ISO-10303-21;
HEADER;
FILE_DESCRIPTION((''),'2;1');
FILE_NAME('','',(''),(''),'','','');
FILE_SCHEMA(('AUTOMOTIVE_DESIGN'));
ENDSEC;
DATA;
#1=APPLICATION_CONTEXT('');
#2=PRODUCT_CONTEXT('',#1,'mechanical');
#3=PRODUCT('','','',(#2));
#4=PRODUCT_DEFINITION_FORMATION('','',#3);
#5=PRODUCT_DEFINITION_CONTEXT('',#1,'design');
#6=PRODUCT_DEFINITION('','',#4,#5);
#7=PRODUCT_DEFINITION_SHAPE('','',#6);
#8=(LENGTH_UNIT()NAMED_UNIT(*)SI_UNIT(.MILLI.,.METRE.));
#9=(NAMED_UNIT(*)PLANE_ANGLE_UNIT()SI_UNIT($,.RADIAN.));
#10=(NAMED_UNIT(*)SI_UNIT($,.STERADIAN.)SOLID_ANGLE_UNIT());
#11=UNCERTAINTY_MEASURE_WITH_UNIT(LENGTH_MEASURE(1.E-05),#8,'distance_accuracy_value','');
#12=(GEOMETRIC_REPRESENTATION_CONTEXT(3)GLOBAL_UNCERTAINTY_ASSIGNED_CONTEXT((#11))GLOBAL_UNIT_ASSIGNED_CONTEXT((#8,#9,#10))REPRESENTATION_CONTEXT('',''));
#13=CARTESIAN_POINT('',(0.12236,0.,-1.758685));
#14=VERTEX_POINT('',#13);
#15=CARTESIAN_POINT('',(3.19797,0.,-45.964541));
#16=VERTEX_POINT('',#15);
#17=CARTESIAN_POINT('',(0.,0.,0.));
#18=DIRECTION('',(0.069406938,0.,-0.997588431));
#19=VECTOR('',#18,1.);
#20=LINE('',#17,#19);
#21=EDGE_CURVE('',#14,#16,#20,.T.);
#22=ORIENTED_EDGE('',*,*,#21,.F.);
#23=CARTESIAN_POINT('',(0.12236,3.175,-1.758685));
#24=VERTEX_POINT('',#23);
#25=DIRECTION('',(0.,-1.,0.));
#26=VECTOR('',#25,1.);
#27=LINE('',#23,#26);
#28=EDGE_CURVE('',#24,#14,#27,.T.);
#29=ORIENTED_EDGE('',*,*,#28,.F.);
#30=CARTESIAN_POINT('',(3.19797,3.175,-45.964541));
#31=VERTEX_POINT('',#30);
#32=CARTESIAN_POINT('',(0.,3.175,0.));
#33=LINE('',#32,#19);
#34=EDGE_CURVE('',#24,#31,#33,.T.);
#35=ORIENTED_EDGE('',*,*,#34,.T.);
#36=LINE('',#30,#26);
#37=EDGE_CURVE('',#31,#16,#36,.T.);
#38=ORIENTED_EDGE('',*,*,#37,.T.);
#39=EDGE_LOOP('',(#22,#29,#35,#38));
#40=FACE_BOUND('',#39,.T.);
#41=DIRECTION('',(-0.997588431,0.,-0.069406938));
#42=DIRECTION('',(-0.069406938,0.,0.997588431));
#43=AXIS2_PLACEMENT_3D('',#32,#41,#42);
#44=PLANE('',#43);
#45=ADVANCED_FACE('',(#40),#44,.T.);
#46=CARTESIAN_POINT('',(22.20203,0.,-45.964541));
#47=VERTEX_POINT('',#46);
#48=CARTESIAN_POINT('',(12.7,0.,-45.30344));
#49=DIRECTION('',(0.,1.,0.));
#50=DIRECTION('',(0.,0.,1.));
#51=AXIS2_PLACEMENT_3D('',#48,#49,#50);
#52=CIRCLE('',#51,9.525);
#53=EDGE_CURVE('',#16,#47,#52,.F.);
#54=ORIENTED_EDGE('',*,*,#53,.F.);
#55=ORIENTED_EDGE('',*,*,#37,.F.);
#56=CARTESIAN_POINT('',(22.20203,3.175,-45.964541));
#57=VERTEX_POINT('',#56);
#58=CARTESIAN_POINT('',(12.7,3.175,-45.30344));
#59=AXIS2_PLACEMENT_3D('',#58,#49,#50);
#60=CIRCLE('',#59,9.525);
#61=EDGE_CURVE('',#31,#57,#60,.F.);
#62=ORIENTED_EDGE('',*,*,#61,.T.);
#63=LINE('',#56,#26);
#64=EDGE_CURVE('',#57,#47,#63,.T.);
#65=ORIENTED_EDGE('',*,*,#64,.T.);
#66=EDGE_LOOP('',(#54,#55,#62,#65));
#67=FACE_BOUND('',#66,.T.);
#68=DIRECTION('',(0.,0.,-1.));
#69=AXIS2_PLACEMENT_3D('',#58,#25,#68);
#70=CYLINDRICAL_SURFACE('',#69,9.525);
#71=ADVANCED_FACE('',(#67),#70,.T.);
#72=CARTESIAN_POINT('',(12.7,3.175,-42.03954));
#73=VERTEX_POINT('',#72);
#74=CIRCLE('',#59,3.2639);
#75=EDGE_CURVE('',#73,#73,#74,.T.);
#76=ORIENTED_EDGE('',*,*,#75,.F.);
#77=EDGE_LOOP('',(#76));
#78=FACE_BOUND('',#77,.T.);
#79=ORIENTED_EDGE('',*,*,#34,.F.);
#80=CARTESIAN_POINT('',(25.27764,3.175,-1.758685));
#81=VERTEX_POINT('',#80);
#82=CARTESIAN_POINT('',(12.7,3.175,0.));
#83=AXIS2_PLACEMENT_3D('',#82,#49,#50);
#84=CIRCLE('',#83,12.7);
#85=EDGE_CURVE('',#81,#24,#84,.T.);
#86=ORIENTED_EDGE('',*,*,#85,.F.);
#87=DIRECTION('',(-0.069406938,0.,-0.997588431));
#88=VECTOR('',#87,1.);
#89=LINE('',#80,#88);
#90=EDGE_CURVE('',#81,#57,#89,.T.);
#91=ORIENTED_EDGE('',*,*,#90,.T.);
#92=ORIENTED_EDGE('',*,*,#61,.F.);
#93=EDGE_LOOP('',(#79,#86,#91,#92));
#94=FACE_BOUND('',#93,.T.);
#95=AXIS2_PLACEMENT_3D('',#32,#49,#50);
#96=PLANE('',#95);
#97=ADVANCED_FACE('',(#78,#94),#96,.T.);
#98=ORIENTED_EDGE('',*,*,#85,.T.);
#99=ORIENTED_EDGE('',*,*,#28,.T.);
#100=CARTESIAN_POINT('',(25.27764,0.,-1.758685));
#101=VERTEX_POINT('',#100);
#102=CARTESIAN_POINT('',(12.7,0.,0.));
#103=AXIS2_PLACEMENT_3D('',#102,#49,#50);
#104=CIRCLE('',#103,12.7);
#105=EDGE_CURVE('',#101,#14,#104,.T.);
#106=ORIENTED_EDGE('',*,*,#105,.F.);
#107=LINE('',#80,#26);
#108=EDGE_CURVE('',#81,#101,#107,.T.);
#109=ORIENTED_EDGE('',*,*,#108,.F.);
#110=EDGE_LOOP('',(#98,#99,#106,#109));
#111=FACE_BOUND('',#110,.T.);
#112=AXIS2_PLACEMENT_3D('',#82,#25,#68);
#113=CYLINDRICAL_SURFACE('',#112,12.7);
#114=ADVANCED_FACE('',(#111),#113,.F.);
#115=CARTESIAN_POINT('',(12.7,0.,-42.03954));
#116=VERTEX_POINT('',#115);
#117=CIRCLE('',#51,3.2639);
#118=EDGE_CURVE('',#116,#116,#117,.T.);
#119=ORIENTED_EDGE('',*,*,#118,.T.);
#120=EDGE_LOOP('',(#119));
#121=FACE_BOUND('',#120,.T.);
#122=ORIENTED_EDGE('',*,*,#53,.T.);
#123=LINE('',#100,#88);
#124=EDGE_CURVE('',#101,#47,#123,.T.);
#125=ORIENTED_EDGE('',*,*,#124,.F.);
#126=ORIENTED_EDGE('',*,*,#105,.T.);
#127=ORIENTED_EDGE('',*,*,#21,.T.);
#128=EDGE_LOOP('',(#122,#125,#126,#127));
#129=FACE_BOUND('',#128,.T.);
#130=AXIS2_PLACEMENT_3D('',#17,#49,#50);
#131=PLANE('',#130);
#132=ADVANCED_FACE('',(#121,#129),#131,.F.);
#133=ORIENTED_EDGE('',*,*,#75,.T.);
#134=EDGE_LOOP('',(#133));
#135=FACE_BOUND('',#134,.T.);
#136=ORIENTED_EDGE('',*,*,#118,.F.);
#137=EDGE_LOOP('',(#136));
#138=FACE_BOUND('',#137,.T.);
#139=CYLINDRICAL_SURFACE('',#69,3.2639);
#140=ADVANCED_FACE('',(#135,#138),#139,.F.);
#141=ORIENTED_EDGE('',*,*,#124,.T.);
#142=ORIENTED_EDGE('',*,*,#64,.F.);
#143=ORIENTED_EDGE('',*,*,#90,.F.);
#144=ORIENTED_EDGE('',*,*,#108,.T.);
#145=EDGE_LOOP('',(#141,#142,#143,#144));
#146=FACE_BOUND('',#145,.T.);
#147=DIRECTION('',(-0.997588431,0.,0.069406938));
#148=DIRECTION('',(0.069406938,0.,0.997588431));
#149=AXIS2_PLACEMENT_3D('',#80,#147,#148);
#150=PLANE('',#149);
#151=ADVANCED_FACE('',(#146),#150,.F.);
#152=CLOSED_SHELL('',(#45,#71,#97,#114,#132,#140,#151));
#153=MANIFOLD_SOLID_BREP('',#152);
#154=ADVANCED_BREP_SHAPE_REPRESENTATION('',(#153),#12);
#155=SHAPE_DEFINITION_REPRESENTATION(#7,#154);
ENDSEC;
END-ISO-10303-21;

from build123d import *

# Parameters (mm, degrees)
SKETCH1_R           = 3.2639
BOSS_EXTRUDE1_DEPTH = 3.175


with BuildPart() as part:
    # Sketch1 → Boss-Extrude1 (new body)
    with BuildSketch(Plane(origin=(0, 0, 0), x_dir=(1, 0, 0), z_dir=(0, 1, 0))):
        with BuildLine():
            Line((3.197970198, 45.964541088), (0.122360007, 1.758684792))
            ThreePointArc((0.122360007, 1.758684792), (12.7, 12.7), (25.277639993, 1.758684792))
            Line((25.277639993, 1.758684792), (22.202029802, 45.964541088))
            ThreePointArc((22.202029802, 45.964541088), (12.7, 54.82844), (3.197970198, 45.964541088))
        make_face()
        with Locations(Location((12.7, 45.30344, 0), (0, 0, 270))):
            Circle(SKETCH1_R, mode=Mode.SUBTRACT)
    extrude(amount=BOSS_EXTRUDE1_DEPTH)


solid = part.part
